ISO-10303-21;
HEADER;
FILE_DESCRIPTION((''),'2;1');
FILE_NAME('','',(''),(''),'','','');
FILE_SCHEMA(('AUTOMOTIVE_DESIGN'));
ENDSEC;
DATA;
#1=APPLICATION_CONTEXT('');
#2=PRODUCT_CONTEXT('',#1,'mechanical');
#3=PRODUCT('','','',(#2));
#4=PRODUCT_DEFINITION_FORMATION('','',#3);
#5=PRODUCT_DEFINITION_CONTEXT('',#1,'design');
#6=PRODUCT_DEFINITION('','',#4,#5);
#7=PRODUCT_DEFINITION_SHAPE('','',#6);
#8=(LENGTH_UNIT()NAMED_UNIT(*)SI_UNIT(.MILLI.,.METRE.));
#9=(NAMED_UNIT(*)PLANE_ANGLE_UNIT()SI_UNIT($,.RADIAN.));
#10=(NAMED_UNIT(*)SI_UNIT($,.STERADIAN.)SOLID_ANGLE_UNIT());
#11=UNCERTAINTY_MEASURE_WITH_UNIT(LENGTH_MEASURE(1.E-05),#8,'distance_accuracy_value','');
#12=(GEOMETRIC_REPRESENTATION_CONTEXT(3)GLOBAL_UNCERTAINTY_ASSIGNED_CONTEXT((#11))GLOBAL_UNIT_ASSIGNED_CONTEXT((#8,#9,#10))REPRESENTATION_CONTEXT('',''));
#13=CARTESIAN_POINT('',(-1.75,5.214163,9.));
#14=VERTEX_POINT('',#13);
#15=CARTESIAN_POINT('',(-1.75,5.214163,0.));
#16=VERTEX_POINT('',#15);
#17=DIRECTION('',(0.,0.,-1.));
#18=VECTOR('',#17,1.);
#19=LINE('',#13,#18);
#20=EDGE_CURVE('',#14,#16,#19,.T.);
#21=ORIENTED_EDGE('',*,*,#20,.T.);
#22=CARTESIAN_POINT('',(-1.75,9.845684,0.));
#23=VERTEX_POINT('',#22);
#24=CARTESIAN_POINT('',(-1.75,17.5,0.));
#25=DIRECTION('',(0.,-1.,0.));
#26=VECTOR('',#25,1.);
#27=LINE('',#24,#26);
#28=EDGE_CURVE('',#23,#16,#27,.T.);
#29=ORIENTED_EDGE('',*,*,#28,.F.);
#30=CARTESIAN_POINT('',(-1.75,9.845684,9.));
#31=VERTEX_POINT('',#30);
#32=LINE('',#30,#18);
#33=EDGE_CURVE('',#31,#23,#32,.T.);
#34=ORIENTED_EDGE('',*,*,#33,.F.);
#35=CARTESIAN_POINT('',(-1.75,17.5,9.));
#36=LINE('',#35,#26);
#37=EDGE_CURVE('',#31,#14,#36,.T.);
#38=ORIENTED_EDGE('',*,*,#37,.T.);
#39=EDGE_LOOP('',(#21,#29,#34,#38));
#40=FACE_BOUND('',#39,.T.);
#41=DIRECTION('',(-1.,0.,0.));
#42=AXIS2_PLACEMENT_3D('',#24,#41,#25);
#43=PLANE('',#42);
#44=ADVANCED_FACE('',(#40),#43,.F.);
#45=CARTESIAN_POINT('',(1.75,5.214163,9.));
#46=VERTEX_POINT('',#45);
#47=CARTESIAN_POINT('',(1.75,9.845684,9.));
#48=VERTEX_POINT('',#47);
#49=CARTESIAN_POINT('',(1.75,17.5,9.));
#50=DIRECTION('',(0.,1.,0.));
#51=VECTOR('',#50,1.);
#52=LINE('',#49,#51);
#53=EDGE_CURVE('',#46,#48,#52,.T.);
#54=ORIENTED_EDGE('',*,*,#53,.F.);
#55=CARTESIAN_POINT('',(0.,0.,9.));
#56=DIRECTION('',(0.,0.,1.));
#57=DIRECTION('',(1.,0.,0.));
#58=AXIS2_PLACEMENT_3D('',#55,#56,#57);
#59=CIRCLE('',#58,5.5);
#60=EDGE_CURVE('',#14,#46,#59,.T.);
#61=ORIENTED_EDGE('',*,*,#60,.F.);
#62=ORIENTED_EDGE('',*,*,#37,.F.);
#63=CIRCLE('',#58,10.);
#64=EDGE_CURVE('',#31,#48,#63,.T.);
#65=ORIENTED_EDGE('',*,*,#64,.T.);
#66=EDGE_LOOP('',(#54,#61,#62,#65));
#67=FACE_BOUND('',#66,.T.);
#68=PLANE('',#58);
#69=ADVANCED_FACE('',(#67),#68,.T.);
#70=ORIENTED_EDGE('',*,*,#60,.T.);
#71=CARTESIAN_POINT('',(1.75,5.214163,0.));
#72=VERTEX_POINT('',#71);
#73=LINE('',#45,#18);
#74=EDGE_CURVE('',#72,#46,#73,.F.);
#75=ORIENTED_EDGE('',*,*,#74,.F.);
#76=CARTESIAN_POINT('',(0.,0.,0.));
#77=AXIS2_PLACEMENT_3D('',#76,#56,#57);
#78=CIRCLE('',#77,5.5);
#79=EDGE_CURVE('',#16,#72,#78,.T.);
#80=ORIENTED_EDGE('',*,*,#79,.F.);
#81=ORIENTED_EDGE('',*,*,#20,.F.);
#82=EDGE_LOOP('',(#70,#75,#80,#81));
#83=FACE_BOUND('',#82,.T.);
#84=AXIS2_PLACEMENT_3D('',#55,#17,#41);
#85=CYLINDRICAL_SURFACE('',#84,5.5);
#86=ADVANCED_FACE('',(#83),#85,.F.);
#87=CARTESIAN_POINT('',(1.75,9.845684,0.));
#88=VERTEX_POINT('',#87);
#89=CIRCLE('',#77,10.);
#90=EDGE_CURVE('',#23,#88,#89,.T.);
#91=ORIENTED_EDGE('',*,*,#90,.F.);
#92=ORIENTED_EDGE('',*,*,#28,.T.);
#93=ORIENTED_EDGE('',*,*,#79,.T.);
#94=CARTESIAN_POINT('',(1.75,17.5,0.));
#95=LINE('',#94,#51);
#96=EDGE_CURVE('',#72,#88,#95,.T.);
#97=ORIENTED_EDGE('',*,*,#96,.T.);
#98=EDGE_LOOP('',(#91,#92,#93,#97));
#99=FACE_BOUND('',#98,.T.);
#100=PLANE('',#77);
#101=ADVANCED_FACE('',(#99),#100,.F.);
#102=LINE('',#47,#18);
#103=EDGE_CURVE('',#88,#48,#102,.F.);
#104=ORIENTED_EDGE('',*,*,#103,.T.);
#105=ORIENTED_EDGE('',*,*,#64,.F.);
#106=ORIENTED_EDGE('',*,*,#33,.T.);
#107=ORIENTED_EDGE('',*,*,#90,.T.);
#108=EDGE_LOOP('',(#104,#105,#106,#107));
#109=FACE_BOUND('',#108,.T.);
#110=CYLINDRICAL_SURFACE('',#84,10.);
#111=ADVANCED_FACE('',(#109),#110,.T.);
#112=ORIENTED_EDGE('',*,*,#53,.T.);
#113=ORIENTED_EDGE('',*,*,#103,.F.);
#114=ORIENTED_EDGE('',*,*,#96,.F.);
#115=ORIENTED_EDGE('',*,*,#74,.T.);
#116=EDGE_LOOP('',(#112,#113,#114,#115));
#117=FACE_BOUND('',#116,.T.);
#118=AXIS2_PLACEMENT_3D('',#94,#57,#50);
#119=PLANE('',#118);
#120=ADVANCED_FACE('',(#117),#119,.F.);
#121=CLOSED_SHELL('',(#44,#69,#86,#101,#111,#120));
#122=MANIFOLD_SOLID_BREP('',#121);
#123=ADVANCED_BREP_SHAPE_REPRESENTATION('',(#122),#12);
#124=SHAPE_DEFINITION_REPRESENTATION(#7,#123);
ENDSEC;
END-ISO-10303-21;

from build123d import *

# Parameters (mm, degrees)
SKETCH_1_R          = 10
SKETCH_1_R_2        = 5.5
EXTRUDE_1_DEPTH     = 9
SKETCH_2_W          = 3.5
SKETCH_2_H          = 15
CUT_EXTRUDE_1_DEPTH = 10


with BuildPart() as part:
    # Эскиз1 → Бобышка-Вытянуть1 (new body)
    with BuildSketch(Plane.XY):
        Circle(SKETCH_1_R)
        Circle(SKETCH_1_R_2, mode=Mode.SUBTRACT)
    extrude(amount=EXTRUDE_1_DEPTH)

    # Эскиз2 → Вырез-Вытянуть1 (cut, through all)
    with BuildSketch(Plane.XY.offset(9)):
        with Locations((0, 10)):
            Rectangle(SKETCH_2_W, SKETCH_2_H)
    extrude(amount=-CUT_EXTRUDE_1_DEPTH, mode=Mode.SUBTRACT)


solid = part.part
